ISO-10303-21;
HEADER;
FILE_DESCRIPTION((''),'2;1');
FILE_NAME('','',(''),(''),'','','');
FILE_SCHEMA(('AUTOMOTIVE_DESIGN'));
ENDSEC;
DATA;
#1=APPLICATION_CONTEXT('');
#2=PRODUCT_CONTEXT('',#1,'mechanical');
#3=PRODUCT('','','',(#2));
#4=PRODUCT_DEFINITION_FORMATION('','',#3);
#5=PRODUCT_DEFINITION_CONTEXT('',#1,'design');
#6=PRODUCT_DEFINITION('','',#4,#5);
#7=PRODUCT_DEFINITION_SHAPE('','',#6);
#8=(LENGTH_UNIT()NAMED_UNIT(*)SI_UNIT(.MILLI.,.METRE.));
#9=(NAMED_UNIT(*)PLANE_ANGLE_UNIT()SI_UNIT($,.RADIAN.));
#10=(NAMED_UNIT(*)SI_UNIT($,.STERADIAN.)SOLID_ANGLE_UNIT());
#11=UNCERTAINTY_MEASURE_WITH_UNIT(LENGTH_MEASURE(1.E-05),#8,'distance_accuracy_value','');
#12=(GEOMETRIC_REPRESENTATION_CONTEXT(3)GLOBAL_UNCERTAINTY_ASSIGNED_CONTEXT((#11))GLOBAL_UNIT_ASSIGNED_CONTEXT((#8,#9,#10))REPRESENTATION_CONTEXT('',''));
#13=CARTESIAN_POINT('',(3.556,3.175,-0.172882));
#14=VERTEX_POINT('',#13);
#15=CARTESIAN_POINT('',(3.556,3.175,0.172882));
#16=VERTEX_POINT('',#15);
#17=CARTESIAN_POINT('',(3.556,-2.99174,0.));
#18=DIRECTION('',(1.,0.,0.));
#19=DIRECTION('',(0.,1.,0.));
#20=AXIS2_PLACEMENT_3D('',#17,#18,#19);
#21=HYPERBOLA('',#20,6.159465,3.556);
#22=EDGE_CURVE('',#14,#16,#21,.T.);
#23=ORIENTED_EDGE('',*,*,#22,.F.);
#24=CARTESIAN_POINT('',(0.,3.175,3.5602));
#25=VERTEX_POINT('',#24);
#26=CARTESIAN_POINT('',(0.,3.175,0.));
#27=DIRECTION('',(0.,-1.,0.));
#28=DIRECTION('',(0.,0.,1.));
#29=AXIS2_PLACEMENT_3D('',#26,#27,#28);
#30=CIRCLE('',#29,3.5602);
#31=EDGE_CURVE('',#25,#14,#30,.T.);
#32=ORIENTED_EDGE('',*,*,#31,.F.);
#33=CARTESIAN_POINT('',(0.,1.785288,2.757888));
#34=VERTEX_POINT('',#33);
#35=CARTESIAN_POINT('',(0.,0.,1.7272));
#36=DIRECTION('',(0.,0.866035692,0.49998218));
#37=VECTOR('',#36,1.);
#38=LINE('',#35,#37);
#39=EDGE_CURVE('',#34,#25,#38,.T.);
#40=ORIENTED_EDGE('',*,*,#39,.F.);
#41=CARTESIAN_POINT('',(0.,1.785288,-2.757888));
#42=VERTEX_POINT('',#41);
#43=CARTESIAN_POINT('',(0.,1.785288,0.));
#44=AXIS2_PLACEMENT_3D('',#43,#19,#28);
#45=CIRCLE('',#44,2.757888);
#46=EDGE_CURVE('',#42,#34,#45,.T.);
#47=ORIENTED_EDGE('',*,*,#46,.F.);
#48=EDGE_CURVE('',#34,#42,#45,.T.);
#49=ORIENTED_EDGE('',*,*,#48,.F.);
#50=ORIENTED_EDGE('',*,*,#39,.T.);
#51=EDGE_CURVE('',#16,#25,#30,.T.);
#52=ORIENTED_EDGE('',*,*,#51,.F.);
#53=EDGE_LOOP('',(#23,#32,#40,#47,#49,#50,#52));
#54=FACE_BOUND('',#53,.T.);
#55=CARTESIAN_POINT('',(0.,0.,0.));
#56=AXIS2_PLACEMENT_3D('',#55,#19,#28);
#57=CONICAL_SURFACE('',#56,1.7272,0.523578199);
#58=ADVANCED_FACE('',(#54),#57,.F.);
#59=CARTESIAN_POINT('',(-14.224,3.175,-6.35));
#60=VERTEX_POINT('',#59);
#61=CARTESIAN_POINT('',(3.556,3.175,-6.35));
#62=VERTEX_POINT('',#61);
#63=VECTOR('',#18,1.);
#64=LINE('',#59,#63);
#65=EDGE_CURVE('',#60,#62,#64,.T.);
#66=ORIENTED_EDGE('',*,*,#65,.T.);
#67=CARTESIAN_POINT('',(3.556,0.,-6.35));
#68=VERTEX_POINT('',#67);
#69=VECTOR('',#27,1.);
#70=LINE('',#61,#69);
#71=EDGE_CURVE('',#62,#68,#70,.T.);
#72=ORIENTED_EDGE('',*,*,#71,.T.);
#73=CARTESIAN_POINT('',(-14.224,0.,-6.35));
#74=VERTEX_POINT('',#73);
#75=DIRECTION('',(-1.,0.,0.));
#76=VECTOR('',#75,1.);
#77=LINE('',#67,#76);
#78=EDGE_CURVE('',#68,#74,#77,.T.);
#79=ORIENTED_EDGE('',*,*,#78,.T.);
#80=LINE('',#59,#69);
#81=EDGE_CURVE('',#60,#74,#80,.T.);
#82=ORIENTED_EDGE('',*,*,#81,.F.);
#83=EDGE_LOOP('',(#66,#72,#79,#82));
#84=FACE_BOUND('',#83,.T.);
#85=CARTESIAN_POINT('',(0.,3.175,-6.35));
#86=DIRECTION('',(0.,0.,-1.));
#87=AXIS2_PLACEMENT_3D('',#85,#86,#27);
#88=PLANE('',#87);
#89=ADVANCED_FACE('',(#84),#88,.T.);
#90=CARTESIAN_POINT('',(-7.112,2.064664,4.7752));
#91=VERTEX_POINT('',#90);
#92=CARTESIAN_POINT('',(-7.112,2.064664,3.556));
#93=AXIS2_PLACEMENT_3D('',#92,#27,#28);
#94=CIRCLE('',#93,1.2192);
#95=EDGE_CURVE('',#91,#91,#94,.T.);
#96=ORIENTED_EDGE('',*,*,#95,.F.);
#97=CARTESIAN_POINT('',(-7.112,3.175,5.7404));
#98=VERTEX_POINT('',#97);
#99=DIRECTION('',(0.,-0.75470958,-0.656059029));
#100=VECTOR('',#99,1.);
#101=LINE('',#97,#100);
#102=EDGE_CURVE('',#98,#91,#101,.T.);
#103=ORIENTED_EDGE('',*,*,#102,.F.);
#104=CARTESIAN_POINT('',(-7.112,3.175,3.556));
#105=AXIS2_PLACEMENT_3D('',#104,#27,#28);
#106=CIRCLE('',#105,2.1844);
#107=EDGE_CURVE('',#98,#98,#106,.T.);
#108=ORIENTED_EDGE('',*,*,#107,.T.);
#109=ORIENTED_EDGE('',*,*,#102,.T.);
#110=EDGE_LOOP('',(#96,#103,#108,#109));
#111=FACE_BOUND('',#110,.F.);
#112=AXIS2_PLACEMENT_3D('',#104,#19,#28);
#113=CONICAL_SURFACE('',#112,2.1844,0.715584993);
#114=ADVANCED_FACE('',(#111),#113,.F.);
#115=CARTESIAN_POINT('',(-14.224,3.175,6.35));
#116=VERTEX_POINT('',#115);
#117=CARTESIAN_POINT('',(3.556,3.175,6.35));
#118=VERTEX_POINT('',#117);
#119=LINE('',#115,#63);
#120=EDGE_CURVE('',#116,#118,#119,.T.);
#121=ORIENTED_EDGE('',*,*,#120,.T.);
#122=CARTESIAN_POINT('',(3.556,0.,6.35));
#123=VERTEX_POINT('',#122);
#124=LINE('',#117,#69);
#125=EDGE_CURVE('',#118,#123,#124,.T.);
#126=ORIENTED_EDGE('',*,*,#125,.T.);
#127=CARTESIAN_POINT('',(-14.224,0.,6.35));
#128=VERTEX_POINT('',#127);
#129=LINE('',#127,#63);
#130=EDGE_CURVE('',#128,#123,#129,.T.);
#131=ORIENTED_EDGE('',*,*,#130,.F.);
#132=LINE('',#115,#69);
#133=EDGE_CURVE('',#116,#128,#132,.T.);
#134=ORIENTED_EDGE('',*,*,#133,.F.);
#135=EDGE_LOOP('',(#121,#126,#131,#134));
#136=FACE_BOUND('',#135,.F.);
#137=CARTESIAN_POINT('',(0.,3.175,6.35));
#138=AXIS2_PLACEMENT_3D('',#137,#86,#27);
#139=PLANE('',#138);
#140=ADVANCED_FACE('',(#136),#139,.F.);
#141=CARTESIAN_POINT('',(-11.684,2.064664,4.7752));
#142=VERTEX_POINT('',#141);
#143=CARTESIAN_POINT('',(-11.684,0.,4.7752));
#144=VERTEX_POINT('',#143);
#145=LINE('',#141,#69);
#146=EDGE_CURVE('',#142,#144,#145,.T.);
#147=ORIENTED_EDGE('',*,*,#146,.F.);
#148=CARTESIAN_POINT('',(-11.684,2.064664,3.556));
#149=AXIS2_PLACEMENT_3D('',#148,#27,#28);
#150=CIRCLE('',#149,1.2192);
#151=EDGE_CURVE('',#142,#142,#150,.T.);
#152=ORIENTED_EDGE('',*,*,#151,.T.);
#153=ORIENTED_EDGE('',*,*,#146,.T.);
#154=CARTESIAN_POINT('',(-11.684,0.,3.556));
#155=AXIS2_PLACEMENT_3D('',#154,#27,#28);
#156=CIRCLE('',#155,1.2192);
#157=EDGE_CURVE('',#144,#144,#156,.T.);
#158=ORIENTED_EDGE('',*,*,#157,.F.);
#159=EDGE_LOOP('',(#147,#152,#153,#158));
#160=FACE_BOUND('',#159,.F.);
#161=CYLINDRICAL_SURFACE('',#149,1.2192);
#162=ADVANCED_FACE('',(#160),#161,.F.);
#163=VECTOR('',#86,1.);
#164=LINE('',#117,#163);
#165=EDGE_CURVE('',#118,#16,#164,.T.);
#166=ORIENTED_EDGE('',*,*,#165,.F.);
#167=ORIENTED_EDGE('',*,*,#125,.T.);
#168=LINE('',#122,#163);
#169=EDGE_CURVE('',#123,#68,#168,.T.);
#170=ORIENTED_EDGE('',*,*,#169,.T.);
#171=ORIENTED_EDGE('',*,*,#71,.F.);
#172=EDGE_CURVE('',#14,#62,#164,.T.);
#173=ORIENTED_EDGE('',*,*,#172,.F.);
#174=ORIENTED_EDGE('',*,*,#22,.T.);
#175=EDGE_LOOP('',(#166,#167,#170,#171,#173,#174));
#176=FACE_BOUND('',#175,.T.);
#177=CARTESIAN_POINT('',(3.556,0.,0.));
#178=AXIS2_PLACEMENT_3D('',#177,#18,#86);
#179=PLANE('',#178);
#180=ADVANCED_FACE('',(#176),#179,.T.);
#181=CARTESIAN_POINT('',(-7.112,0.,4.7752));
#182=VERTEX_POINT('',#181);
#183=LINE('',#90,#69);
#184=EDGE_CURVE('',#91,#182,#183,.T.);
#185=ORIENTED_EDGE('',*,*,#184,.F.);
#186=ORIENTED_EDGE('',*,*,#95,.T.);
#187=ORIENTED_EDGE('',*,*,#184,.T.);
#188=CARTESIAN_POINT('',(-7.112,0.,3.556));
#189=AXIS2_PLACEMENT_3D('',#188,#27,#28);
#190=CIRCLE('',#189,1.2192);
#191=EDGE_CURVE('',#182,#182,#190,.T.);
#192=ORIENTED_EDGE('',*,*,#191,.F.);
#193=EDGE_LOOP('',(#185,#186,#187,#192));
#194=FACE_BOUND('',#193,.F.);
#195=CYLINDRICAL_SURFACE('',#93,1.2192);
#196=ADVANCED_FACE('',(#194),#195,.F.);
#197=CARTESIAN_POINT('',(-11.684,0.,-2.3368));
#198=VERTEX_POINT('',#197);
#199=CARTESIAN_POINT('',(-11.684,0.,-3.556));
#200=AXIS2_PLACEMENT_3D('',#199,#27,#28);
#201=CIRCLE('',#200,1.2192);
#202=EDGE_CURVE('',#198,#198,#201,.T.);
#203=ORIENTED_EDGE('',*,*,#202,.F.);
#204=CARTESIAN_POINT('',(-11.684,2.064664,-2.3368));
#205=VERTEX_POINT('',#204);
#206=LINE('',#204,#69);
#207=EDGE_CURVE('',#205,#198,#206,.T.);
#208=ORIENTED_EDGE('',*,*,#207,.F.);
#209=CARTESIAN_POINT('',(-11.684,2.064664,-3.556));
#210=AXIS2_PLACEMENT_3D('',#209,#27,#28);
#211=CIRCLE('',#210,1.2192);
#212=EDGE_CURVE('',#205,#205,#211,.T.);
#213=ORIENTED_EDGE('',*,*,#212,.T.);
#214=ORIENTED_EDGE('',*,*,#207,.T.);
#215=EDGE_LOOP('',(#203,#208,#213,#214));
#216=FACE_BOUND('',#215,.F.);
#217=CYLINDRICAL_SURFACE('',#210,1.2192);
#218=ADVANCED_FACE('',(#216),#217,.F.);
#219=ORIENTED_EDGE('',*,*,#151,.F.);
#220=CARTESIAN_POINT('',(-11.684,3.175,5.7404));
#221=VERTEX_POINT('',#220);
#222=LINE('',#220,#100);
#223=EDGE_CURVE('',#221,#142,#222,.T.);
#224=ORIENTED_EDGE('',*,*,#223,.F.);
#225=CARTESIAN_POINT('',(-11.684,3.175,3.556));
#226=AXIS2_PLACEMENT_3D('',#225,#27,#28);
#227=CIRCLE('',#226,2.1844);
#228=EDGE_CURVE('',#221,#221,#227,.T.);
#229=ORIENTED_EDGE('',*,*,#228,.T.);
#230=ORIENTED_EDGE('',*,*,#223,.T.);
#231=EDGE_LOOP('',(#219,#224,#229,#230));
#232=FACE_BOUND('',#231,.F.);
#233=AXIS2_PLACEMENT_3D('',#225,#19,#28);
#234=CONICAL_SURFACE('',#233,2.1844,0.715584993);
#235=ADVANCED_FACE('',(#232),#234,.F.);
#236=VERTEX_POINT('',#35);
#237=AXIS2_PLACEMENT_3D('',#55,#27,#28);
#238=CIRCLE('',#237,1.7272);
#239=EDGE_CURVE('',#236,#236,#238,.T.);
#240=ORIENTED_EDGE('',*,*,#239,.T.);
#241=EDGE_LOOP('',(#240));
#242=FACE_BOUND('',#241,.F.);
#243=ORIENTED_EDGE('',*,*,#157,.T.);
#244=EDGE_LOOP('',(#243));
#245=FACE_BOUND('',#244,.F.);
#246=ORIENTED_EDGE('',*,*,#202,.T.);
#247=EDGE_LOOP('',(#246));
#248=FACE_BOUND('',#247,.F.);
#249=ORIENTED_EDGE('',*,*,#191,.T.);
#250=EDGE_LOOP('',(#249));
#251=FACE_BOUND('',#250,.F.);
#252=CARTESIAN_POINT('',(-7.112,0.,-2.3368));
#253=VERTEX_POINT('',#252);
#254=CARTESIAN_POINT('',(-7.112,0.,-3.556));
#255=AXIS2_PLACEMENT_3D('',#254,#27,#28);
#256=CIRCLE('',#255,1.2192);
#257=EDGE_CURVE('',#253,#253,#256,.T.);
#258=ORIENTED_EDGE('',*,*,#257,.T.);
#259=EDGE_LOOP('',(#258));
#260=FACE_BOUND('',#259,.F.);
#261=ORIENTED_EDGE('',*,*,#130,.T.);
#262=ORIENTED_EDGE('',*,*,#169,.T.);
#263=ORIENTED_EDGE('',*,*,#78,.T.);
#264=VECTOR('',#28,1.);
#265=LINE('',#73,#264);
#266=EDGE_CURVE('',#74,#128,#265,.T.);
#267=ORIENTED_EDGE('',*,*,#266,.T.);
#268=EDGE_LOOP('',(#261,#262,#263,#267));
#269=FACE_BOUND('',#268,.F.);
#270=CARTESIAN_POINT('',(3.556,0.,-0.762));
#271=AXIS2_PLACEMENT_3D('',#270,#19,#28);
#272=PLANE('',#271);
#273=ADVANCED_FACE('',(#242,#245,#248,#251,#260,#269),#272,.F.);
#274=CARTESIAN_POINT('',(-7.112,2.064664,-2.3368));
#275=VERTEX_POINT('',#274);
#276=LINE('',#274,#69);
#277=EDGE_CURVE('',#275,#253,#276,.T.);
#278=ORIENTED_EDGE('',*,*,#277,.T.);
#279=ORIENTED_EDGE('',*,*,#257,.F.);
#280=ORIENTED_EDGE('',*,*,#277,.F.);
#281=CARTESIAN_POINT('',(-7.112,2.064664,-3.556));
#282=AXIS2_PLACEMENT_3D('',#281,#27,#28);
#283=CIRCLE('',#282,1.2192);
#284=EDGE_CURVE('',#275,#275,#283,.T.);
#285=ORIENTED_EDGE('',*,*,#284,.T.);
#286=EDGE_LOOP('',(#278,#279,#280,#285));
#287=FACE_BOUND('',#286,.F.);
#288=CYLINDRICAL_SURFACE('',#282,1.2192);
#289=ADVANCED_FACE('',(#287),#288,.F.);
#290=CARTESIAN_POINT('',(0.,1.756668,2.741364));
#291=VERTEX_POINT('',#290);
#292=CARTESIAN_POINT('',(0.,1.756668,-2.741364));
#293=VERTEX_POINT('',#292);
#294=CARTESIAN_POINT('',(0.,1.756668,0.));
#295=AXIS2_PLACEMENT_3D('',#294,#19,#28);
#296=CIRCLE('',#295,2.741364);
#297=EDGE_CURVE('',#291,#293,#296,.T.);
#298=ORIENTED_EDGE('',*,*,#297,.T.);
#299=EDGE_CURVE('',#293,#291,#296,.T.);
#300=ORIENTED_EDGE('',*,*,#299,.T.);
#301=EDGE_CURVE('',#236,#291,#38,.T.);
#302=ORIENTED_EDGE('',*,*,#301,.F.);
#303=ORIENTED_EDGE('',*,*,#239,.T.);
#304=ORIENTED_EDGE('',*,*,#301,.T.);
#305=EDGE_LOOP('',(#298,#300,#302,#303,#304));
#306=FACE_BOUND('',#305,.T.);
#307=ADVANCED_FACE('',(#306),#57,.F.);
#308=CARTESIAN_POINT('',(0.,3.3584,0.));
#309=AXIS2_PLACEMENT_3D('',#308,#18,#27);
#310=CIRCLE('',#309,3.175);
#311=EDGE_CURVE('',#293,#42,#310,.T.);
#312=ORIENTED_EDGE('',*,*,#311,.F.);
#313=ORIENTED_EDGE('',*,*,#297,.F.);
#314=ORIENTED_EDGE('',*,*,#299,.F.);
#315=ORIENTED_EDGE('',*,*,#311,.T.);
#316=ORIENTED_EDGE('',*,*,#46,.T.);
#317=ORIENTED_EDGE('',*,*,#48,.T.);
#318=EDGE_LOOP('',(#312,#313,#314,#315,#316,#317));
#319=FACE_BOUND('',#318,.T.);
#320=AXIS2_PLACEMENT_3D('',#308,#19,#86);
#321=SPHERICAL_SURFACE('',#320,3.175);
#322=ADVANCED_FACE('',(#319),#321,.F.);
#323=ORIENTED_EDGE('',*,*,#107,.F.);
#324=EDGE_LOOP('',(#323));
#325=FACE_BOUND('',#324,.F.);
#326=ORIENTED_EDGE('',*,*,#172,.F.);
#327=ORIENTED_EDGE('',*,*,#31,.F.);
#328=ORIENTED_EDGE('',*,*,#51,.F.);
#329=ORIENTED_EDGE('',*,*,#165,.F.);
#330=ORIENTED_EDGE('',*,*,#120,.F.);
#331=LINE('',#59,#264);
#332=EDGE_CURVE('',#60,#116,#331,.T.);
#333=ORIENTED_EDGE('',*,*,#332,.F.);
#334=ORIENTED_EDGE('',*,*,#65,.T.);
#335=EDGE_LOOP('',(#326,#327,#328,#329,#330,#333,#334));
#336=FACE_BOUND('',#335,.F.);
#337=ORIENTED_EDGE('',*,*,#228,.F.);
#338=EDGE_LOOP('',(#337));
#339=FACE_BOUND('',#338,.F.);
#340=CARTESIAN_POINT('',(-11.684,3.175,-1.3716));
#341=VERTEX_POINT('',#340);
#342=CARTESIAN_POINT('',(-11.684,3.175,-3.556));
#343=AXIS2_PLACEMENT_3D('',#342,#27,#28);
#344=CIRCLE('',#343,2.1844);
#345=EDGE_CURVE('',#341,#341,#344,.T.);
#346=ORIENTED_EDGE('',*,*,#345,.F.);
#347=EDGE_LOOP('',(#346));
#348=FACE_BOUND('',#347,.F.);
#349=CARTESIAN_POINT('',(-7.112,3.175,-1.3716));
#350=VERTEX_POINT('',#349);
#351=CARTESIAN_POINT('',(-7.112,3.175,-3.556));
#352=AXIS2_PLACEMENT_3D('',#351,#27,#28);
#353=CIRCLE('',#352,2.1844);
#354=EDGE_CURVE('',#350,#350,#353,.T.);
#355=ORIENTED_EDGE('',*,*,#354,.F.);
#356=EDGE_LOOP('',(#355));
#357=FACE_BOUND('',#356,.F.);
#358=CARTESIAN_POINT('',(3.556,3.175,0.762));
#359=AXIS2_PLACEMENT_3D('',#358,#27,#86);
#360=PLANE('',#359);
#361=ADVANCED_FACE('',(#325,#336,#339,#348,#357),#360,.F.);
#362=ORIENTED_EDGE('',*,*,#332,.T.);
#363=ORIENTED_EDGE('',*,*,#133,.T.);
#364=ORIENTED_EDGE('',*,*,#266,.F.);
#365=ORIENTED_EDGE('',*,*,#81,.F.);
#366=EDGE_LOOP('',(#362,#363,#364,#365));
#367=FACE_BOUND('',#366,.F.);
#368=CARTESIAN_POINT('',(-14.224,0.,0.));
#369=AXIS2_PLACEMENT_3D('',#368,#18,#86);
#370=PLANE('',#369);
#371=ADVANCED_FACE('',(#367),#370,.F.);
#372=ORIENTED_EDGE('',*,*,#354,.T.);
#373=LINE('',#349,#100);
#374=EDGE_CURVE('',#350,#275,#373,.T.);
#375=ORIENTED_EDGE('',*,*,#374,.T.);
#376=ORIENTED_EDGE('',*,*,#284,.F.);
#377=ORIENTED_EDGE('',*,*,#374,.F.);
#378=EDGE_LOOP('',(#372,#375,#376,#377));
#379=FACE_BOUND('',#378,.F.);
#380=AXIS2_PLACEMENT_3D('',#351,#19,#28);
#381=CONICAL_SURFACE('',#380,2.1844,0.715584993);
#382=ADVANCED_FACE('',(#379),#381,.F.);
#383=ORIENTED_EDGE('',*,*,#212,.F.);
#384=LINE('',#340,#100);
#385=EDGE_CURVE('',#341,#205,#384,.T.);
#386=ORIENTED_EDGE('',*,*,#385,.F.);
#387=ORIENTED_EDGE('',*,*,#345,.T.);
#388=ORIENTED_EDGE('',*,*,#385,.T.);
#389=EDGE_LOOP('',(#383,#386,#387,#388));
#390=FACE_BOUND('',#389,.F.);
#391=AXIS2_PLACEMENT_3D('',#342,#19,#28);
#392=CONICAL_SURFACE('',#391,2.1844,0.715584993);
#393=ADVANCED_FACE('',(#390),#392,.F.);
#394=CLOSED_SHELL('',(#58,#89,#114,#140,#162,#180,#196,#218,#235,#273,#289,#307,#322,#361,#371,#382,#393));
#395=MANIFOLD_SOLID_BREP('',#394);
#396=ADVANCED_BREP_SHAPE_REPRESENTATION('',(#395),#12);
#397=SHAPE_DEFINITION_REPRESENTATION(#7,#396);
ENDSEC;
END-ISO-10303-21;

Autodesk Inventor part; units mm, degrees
ref_plane "YZ Plane" through (0, 0, 0) normal (1, 0, 0) x (0, 1, 0)
sketch "Sketch1" plane through (0, 0, 0) normal (1, 0, 0) x (0, 1, 0)
  line L0 (-1.3067, 0) -> (7.8401, 0) construction
  line L1 (0, -10.9768) -> (0, 10.9768) construction
  line L2 (0, -1.7272) -> (0, -6.35)
  line L3 (0, -1.7272) -> (0, -1.7272)
  line L4 (0, -1.7272) -> (3.175, -3.5603)
  line L5 (3.175, -3.5603) -> (3.175, -6.35)
  line L6 (3.175, -6.35) -> (0, -6.35)
  circle A0 centre (3.3584, 0) radius 3.175 construction
  line L7 (2.5647, 7.8406) -> (4.1522, 7.8406) construction
  line L8 (4.1522, 7.8406) -> (4.1522, -7.8406) construction
  line L9 (4.1522, -7.8406) -> (2.5647, -7.8406) construction
  line L10 (2.5647, -7.8406) -> (2.5647, 7.8406) construction
  line L11 (2.5647, 7.8406) -> (4.1522, -7.8406) construction
  line L12 (4.1522, 7.8406) -> (2.5647, -7.8406) construction
  line L13 (0, 1.7272) -> (0, 6.35)
  line L14 (0, 1.7272) -> (0, 1.7272)
  line L15 (0, 1.7272) -> (3.175, 3.5603)
  line L16 (3.175, 3.5603) -> (3.175, 6.35)
  line L17 (3.175, 6.35) -> (0, 6.35)
  point P0 (0, 0)
  point P1 (2.3851, -3.0222)
  point P2 (2.3851, 3.0222)
  dimension "d12" = 60
  dimension "d13" = 0
  dimension "bearing_thickness" = 3.175
  dimension "d15" = 1.7272
  dimension "d17" = 6.35
  dimension "d18" = 1.5875
  dimension "d23" = 12.7
  dimension "d52" = 3.3584
sketch "Sketch11" plane through (0, 0, 0) normal (1, 0, 0) x (0, 1, 0)
  line L0 (3.175, 6.35) -> (0, 6.35) projected
  line L1 (3.175, -6.35) -> (0, -6.35) projected
  line L2 (-1.3067, 0) -> (7.8401, 0) construction
  line L3 (0, -10.9768) -> (0, 10.9768) construction
  line L4 (3.175, 6.35) -> (3.175, 0.762)
  line L5 (3.175, 0.762) -> (0, 0.762)
  line L6 (0, 6.35) -> (0, 0.762)
  line L7 (3.175, -6.35) -> (0, -6.35)
  line L8 (0, 10.9768) -> (0, -10.9768) construction
  line L9 (3.175, -6.35) -> (3.175, -0.762)
  line L10 (3.175, -0.762) -> (0, -0.762)
  line L11 (0, -6.35) -> (0, -0.762)
  point P0 (0, 0)
  dimension "d54" = 5.588
extrude "Extrusion4" add sketch "Sketch11" along normal blind 3.556 and the other way blind 14.224
sketch "Sketch17" plane through (3.556, 0, 0) normal (1, 0, 0) x (0, 0, -1)
  line L0 (-6.35, 3.175) -> (-0.762, 3.175) projected
  line L1 (-0.762, 3.175) -> (0.762, 3.175)
  line L2 (0.762, 3.175) -> (0.762, 0)
  line L3 (0.762, 0) -> (-0.762, 0)
  line L4 (-0.762, 0) -> (-0.762, 3.175)
  point P0 (0, 0)
ref_plane "Work Plane3" through (0, 3.175, 6.35) normal (1, 0, 0) x (0, -1, 0)
extrude "Extrusion6" add sketch "Sketch17" against normal blind 17.78
sketch "Sketch14" plane through (-14.224, 3.175, -6.35) normal (0, 1, 0) x (1, 0, 0)
  line L0 (-3.556, -6.35) -> (21.336, -6.35) projected
  line L1 (0, -5.588) -> (0, 0) projected
  point P0 (14.224, -6.35)
  point P1 (2.54, -2.794)
  point P2 (7.112, -2.794)
  point P3 (2.54, -9.906)
  point P4 (7.112, -9.906)
  dimension "d65" = 7.112
  dimension "d66" = 11.684
  dimension "d67" = 3.556
hole "Hole2" at (-11.684, 3.175, -3.556) at (-7.112, 3.175, -3.556) at (-11.684, 3.175, 3.556) at (-7.112, 3.175, 3.556) direction (0, -1, 0) diameter 2.4384 depth 6.6294 tip angle 118 countersink diameter 4.3688 countersink angle 82 clearance for "Flat Head Machine Screw (82)" size "#2" standard "Ansi Unified Screw Threads"
sketch "Sketch12" plane through (0, 3.175, 6.35) normal (1, 0, 0) x (0, -1, 0)
  line L0 (3.175, 4.6228) -> (0, 2.7897) projected
  line L1 (3.175, 8.0772) -> (0, 9.9103) projected
  line L2 (4.4817, 6.35) -> (-4.6651, 6.35) construction
  line L3 (3.175, 17.3268) -> (3.175, -4.6268) construction
  line L4 (3.175, 4.6228) -> (3.175, 7.0113)
  line L5 (3.175, 4.6228) -> (3.175, 4.6228)
  line L6 (3.175, 8.0772) -> (3.175, 8.0772)
  line L7 (3.175, 7.0113) -> (3.175, 8.0772)
  line L8 (0, 2.7897) -> (0, 9.9103)
  line L9 (0, 0) -> (0, 5.588) projected
  point P0 (3.175, 6.35)
extrude "Extrusion5" [suppressed]
ref_plane "Work Plane4" through (0, 2.5647, -7.8406) normal (-1, 0, 0) x (0, 0, 1)
sketch "Sketch16" plane through (0, 2.5647, -7.8406) normal (-1, 0, 0) x (0, 0, 1)
  line L0 (6.1134, -2.5647) -> (4.2803, 0.6103) projected
  line L1 (9.5678, -2.5647) -> (11.4008, 0.6103) projected
  line L2 (11.4008, 0.6103) -> (4.2803, 0.6103) projected
  line L3 (7.1793, -2.5647) -> (6.1134, -2.5647) projected
  line L4 (9.5678, -2.5647) -> (7.1793, -2.5647) projected
  line L5 (9.5678, -2.5647) -> (9.5678, -2.5647)
  line L6 (6.1134, -2.5647) -> (6.1134, -2.5647)
  line L7 (7.8406, -3.8713) -> (7.8406, 5.2754) projected
  line L8 (7.8406, 0.6103) -> (7.8406, -2.5647)
revolve "Revolution7" cut sketch "Sketch16" angle 360 about axis through (0, 3.175, 0) along (0, -1, 0) contours L2 L1 L4 L7
sketch "Sketch13" plane through (0, 3.175, 6.35) normal (1, 0, 0) x (0, -1, 0)
  circle A0 centre (-0.1834, 6.35) radius 3.175 projected
  line L0 (4.4817, 6.35) -> (-4.6651, 6.35) construction
  line L1 (-3.3584, 6.35) -> (2.9916, 6.35)
  point P0 (3.175, 6.35)
revolve "Revolution6" cut sketch "Sketch13" angle 360 about axis through (0, 6.5334, 0) along (0, -1, 0)
equation "\"d12\" = bearing_angle"
equation "\"d15\" = bearing_spacing"
equation "\"d65\" = hole1_setback"
equation "\"d66\" = hole2_setback"
equation "\"d67\" = hole_lateral"
equation "\"hole1_setback_qq\" = 7.112"
equation "\"hole_lateral_qq\" = 3.556"
equation "\"hole2_setback_qq\" = 11.684"
equation "\"bearing_angle_qq\" = 60deg"
equation "\"bearing_spacing_qq\" = 1.7272"
equation "\"bearing_angle\" = 60deg"
equation "\"bearing_spacing\" = 1.7272"
equation "\"hole1_setback\" = 7.112"
equation "\"hole2_setback\" = 11.684"
equation "\"hole_lateral\" = 3.556"
properties part number "v2_bearing_insert_thick_round" material "Stainless Steel, 440C"
